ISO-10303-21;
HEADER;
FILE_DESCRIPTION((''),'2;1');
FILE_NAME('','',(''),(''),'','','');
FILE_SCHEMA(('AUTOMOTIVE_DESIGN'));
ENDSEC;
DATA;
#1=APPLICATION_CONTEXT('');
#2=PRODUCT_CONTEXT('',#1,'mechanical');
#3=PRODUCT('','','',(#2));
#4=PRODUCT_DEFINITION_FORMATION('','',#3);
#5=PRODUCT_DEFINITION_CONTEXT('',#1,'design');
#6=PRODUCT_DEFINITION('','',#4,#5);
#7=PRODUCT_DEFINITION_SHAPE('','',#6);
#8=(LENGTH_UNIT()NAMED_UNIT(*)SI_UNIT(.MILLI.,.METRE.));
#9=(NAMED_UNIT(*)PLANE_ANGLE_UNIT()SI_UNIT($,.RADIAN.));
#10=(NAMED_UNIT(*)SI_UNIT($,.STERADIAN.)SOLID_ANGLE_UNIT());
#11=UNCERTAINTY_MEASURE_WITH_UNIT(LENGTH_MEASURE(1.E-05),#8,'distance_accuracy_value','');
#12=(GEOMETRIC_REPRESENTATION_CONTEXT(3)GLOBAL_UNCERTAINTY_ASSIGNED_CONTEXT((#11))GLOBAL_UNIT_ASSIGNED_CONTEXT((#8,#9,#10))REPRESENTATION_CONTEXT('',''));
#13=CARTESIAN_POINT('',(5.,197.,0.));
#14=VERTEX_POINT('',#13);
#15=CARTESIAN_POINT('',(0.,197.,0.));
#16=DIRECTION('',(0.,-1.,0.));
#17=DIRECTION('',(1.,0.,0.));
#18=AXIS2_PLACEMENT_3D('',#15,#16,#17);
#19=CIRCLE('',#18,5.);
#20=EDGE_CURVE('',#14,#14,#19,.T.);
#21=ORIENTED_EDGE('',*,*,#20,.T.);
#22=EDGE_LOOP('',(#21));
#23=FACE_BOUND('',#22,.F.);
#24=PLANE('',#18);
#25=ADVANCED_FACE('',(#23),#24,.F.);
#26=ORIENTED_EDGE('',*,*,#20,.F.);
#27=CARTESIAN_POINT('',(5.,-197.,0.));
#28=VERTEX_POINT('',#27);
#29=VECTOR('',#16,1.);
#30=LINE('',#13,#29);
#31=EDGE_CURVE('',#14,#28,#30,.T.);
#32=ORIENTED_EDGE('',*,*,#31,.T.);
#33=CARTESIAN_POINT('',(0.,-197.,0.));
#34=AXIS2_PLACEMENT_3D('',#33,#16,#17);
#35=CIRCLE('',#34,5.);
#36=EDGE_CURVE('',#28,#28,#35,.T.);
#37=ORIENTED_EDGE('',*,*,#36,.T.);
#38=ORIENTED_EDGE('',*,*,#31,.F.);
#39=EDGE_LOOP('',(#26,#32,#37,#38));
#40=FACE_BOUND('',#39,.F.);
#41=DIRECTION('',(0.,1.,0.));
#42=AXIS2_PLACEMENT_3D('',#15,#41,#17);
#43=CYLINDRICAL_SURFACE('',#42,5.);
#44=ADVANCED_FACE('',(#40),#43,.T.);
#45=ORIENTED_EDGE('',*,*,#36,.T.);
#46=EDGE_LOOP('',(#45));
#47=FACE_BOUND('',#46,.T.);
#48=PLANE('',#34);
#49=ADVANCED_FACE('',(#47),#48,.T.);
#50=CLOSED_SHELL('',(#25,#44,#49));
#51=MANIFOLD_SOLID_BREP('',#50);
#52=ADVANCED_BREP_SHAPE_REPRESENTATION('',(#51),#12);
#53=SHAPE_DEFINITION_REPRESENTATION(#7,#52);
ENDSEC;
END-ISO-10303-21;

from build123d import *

# Parameters (mm, degrees)
CYLINDER_R          = 5
CYLINDER_DEPTH      = 394
CYLINDER_ROLL_ANGLE = 90


with BuildPart() as part:
    # Cylinder → Cylinder (new body)
    with BuildSketch(Plane.XY):
        Circle(CYLINDER_R)
    extrude(amount=CYLINDER_DEPTH)


with BuildPart() as part_1:
    # Cylinder roll: moved
    add(part.part.rotate(Axis((0, 0, 0), (1, 0, 0)), CYLINDER_ROLL_ANGLE))


with BuildPart() as part_2:
    # Cylinder placement: moved
    add(part_1.part.moved(Location((0, 197, 0))))


solid = part_2.part
